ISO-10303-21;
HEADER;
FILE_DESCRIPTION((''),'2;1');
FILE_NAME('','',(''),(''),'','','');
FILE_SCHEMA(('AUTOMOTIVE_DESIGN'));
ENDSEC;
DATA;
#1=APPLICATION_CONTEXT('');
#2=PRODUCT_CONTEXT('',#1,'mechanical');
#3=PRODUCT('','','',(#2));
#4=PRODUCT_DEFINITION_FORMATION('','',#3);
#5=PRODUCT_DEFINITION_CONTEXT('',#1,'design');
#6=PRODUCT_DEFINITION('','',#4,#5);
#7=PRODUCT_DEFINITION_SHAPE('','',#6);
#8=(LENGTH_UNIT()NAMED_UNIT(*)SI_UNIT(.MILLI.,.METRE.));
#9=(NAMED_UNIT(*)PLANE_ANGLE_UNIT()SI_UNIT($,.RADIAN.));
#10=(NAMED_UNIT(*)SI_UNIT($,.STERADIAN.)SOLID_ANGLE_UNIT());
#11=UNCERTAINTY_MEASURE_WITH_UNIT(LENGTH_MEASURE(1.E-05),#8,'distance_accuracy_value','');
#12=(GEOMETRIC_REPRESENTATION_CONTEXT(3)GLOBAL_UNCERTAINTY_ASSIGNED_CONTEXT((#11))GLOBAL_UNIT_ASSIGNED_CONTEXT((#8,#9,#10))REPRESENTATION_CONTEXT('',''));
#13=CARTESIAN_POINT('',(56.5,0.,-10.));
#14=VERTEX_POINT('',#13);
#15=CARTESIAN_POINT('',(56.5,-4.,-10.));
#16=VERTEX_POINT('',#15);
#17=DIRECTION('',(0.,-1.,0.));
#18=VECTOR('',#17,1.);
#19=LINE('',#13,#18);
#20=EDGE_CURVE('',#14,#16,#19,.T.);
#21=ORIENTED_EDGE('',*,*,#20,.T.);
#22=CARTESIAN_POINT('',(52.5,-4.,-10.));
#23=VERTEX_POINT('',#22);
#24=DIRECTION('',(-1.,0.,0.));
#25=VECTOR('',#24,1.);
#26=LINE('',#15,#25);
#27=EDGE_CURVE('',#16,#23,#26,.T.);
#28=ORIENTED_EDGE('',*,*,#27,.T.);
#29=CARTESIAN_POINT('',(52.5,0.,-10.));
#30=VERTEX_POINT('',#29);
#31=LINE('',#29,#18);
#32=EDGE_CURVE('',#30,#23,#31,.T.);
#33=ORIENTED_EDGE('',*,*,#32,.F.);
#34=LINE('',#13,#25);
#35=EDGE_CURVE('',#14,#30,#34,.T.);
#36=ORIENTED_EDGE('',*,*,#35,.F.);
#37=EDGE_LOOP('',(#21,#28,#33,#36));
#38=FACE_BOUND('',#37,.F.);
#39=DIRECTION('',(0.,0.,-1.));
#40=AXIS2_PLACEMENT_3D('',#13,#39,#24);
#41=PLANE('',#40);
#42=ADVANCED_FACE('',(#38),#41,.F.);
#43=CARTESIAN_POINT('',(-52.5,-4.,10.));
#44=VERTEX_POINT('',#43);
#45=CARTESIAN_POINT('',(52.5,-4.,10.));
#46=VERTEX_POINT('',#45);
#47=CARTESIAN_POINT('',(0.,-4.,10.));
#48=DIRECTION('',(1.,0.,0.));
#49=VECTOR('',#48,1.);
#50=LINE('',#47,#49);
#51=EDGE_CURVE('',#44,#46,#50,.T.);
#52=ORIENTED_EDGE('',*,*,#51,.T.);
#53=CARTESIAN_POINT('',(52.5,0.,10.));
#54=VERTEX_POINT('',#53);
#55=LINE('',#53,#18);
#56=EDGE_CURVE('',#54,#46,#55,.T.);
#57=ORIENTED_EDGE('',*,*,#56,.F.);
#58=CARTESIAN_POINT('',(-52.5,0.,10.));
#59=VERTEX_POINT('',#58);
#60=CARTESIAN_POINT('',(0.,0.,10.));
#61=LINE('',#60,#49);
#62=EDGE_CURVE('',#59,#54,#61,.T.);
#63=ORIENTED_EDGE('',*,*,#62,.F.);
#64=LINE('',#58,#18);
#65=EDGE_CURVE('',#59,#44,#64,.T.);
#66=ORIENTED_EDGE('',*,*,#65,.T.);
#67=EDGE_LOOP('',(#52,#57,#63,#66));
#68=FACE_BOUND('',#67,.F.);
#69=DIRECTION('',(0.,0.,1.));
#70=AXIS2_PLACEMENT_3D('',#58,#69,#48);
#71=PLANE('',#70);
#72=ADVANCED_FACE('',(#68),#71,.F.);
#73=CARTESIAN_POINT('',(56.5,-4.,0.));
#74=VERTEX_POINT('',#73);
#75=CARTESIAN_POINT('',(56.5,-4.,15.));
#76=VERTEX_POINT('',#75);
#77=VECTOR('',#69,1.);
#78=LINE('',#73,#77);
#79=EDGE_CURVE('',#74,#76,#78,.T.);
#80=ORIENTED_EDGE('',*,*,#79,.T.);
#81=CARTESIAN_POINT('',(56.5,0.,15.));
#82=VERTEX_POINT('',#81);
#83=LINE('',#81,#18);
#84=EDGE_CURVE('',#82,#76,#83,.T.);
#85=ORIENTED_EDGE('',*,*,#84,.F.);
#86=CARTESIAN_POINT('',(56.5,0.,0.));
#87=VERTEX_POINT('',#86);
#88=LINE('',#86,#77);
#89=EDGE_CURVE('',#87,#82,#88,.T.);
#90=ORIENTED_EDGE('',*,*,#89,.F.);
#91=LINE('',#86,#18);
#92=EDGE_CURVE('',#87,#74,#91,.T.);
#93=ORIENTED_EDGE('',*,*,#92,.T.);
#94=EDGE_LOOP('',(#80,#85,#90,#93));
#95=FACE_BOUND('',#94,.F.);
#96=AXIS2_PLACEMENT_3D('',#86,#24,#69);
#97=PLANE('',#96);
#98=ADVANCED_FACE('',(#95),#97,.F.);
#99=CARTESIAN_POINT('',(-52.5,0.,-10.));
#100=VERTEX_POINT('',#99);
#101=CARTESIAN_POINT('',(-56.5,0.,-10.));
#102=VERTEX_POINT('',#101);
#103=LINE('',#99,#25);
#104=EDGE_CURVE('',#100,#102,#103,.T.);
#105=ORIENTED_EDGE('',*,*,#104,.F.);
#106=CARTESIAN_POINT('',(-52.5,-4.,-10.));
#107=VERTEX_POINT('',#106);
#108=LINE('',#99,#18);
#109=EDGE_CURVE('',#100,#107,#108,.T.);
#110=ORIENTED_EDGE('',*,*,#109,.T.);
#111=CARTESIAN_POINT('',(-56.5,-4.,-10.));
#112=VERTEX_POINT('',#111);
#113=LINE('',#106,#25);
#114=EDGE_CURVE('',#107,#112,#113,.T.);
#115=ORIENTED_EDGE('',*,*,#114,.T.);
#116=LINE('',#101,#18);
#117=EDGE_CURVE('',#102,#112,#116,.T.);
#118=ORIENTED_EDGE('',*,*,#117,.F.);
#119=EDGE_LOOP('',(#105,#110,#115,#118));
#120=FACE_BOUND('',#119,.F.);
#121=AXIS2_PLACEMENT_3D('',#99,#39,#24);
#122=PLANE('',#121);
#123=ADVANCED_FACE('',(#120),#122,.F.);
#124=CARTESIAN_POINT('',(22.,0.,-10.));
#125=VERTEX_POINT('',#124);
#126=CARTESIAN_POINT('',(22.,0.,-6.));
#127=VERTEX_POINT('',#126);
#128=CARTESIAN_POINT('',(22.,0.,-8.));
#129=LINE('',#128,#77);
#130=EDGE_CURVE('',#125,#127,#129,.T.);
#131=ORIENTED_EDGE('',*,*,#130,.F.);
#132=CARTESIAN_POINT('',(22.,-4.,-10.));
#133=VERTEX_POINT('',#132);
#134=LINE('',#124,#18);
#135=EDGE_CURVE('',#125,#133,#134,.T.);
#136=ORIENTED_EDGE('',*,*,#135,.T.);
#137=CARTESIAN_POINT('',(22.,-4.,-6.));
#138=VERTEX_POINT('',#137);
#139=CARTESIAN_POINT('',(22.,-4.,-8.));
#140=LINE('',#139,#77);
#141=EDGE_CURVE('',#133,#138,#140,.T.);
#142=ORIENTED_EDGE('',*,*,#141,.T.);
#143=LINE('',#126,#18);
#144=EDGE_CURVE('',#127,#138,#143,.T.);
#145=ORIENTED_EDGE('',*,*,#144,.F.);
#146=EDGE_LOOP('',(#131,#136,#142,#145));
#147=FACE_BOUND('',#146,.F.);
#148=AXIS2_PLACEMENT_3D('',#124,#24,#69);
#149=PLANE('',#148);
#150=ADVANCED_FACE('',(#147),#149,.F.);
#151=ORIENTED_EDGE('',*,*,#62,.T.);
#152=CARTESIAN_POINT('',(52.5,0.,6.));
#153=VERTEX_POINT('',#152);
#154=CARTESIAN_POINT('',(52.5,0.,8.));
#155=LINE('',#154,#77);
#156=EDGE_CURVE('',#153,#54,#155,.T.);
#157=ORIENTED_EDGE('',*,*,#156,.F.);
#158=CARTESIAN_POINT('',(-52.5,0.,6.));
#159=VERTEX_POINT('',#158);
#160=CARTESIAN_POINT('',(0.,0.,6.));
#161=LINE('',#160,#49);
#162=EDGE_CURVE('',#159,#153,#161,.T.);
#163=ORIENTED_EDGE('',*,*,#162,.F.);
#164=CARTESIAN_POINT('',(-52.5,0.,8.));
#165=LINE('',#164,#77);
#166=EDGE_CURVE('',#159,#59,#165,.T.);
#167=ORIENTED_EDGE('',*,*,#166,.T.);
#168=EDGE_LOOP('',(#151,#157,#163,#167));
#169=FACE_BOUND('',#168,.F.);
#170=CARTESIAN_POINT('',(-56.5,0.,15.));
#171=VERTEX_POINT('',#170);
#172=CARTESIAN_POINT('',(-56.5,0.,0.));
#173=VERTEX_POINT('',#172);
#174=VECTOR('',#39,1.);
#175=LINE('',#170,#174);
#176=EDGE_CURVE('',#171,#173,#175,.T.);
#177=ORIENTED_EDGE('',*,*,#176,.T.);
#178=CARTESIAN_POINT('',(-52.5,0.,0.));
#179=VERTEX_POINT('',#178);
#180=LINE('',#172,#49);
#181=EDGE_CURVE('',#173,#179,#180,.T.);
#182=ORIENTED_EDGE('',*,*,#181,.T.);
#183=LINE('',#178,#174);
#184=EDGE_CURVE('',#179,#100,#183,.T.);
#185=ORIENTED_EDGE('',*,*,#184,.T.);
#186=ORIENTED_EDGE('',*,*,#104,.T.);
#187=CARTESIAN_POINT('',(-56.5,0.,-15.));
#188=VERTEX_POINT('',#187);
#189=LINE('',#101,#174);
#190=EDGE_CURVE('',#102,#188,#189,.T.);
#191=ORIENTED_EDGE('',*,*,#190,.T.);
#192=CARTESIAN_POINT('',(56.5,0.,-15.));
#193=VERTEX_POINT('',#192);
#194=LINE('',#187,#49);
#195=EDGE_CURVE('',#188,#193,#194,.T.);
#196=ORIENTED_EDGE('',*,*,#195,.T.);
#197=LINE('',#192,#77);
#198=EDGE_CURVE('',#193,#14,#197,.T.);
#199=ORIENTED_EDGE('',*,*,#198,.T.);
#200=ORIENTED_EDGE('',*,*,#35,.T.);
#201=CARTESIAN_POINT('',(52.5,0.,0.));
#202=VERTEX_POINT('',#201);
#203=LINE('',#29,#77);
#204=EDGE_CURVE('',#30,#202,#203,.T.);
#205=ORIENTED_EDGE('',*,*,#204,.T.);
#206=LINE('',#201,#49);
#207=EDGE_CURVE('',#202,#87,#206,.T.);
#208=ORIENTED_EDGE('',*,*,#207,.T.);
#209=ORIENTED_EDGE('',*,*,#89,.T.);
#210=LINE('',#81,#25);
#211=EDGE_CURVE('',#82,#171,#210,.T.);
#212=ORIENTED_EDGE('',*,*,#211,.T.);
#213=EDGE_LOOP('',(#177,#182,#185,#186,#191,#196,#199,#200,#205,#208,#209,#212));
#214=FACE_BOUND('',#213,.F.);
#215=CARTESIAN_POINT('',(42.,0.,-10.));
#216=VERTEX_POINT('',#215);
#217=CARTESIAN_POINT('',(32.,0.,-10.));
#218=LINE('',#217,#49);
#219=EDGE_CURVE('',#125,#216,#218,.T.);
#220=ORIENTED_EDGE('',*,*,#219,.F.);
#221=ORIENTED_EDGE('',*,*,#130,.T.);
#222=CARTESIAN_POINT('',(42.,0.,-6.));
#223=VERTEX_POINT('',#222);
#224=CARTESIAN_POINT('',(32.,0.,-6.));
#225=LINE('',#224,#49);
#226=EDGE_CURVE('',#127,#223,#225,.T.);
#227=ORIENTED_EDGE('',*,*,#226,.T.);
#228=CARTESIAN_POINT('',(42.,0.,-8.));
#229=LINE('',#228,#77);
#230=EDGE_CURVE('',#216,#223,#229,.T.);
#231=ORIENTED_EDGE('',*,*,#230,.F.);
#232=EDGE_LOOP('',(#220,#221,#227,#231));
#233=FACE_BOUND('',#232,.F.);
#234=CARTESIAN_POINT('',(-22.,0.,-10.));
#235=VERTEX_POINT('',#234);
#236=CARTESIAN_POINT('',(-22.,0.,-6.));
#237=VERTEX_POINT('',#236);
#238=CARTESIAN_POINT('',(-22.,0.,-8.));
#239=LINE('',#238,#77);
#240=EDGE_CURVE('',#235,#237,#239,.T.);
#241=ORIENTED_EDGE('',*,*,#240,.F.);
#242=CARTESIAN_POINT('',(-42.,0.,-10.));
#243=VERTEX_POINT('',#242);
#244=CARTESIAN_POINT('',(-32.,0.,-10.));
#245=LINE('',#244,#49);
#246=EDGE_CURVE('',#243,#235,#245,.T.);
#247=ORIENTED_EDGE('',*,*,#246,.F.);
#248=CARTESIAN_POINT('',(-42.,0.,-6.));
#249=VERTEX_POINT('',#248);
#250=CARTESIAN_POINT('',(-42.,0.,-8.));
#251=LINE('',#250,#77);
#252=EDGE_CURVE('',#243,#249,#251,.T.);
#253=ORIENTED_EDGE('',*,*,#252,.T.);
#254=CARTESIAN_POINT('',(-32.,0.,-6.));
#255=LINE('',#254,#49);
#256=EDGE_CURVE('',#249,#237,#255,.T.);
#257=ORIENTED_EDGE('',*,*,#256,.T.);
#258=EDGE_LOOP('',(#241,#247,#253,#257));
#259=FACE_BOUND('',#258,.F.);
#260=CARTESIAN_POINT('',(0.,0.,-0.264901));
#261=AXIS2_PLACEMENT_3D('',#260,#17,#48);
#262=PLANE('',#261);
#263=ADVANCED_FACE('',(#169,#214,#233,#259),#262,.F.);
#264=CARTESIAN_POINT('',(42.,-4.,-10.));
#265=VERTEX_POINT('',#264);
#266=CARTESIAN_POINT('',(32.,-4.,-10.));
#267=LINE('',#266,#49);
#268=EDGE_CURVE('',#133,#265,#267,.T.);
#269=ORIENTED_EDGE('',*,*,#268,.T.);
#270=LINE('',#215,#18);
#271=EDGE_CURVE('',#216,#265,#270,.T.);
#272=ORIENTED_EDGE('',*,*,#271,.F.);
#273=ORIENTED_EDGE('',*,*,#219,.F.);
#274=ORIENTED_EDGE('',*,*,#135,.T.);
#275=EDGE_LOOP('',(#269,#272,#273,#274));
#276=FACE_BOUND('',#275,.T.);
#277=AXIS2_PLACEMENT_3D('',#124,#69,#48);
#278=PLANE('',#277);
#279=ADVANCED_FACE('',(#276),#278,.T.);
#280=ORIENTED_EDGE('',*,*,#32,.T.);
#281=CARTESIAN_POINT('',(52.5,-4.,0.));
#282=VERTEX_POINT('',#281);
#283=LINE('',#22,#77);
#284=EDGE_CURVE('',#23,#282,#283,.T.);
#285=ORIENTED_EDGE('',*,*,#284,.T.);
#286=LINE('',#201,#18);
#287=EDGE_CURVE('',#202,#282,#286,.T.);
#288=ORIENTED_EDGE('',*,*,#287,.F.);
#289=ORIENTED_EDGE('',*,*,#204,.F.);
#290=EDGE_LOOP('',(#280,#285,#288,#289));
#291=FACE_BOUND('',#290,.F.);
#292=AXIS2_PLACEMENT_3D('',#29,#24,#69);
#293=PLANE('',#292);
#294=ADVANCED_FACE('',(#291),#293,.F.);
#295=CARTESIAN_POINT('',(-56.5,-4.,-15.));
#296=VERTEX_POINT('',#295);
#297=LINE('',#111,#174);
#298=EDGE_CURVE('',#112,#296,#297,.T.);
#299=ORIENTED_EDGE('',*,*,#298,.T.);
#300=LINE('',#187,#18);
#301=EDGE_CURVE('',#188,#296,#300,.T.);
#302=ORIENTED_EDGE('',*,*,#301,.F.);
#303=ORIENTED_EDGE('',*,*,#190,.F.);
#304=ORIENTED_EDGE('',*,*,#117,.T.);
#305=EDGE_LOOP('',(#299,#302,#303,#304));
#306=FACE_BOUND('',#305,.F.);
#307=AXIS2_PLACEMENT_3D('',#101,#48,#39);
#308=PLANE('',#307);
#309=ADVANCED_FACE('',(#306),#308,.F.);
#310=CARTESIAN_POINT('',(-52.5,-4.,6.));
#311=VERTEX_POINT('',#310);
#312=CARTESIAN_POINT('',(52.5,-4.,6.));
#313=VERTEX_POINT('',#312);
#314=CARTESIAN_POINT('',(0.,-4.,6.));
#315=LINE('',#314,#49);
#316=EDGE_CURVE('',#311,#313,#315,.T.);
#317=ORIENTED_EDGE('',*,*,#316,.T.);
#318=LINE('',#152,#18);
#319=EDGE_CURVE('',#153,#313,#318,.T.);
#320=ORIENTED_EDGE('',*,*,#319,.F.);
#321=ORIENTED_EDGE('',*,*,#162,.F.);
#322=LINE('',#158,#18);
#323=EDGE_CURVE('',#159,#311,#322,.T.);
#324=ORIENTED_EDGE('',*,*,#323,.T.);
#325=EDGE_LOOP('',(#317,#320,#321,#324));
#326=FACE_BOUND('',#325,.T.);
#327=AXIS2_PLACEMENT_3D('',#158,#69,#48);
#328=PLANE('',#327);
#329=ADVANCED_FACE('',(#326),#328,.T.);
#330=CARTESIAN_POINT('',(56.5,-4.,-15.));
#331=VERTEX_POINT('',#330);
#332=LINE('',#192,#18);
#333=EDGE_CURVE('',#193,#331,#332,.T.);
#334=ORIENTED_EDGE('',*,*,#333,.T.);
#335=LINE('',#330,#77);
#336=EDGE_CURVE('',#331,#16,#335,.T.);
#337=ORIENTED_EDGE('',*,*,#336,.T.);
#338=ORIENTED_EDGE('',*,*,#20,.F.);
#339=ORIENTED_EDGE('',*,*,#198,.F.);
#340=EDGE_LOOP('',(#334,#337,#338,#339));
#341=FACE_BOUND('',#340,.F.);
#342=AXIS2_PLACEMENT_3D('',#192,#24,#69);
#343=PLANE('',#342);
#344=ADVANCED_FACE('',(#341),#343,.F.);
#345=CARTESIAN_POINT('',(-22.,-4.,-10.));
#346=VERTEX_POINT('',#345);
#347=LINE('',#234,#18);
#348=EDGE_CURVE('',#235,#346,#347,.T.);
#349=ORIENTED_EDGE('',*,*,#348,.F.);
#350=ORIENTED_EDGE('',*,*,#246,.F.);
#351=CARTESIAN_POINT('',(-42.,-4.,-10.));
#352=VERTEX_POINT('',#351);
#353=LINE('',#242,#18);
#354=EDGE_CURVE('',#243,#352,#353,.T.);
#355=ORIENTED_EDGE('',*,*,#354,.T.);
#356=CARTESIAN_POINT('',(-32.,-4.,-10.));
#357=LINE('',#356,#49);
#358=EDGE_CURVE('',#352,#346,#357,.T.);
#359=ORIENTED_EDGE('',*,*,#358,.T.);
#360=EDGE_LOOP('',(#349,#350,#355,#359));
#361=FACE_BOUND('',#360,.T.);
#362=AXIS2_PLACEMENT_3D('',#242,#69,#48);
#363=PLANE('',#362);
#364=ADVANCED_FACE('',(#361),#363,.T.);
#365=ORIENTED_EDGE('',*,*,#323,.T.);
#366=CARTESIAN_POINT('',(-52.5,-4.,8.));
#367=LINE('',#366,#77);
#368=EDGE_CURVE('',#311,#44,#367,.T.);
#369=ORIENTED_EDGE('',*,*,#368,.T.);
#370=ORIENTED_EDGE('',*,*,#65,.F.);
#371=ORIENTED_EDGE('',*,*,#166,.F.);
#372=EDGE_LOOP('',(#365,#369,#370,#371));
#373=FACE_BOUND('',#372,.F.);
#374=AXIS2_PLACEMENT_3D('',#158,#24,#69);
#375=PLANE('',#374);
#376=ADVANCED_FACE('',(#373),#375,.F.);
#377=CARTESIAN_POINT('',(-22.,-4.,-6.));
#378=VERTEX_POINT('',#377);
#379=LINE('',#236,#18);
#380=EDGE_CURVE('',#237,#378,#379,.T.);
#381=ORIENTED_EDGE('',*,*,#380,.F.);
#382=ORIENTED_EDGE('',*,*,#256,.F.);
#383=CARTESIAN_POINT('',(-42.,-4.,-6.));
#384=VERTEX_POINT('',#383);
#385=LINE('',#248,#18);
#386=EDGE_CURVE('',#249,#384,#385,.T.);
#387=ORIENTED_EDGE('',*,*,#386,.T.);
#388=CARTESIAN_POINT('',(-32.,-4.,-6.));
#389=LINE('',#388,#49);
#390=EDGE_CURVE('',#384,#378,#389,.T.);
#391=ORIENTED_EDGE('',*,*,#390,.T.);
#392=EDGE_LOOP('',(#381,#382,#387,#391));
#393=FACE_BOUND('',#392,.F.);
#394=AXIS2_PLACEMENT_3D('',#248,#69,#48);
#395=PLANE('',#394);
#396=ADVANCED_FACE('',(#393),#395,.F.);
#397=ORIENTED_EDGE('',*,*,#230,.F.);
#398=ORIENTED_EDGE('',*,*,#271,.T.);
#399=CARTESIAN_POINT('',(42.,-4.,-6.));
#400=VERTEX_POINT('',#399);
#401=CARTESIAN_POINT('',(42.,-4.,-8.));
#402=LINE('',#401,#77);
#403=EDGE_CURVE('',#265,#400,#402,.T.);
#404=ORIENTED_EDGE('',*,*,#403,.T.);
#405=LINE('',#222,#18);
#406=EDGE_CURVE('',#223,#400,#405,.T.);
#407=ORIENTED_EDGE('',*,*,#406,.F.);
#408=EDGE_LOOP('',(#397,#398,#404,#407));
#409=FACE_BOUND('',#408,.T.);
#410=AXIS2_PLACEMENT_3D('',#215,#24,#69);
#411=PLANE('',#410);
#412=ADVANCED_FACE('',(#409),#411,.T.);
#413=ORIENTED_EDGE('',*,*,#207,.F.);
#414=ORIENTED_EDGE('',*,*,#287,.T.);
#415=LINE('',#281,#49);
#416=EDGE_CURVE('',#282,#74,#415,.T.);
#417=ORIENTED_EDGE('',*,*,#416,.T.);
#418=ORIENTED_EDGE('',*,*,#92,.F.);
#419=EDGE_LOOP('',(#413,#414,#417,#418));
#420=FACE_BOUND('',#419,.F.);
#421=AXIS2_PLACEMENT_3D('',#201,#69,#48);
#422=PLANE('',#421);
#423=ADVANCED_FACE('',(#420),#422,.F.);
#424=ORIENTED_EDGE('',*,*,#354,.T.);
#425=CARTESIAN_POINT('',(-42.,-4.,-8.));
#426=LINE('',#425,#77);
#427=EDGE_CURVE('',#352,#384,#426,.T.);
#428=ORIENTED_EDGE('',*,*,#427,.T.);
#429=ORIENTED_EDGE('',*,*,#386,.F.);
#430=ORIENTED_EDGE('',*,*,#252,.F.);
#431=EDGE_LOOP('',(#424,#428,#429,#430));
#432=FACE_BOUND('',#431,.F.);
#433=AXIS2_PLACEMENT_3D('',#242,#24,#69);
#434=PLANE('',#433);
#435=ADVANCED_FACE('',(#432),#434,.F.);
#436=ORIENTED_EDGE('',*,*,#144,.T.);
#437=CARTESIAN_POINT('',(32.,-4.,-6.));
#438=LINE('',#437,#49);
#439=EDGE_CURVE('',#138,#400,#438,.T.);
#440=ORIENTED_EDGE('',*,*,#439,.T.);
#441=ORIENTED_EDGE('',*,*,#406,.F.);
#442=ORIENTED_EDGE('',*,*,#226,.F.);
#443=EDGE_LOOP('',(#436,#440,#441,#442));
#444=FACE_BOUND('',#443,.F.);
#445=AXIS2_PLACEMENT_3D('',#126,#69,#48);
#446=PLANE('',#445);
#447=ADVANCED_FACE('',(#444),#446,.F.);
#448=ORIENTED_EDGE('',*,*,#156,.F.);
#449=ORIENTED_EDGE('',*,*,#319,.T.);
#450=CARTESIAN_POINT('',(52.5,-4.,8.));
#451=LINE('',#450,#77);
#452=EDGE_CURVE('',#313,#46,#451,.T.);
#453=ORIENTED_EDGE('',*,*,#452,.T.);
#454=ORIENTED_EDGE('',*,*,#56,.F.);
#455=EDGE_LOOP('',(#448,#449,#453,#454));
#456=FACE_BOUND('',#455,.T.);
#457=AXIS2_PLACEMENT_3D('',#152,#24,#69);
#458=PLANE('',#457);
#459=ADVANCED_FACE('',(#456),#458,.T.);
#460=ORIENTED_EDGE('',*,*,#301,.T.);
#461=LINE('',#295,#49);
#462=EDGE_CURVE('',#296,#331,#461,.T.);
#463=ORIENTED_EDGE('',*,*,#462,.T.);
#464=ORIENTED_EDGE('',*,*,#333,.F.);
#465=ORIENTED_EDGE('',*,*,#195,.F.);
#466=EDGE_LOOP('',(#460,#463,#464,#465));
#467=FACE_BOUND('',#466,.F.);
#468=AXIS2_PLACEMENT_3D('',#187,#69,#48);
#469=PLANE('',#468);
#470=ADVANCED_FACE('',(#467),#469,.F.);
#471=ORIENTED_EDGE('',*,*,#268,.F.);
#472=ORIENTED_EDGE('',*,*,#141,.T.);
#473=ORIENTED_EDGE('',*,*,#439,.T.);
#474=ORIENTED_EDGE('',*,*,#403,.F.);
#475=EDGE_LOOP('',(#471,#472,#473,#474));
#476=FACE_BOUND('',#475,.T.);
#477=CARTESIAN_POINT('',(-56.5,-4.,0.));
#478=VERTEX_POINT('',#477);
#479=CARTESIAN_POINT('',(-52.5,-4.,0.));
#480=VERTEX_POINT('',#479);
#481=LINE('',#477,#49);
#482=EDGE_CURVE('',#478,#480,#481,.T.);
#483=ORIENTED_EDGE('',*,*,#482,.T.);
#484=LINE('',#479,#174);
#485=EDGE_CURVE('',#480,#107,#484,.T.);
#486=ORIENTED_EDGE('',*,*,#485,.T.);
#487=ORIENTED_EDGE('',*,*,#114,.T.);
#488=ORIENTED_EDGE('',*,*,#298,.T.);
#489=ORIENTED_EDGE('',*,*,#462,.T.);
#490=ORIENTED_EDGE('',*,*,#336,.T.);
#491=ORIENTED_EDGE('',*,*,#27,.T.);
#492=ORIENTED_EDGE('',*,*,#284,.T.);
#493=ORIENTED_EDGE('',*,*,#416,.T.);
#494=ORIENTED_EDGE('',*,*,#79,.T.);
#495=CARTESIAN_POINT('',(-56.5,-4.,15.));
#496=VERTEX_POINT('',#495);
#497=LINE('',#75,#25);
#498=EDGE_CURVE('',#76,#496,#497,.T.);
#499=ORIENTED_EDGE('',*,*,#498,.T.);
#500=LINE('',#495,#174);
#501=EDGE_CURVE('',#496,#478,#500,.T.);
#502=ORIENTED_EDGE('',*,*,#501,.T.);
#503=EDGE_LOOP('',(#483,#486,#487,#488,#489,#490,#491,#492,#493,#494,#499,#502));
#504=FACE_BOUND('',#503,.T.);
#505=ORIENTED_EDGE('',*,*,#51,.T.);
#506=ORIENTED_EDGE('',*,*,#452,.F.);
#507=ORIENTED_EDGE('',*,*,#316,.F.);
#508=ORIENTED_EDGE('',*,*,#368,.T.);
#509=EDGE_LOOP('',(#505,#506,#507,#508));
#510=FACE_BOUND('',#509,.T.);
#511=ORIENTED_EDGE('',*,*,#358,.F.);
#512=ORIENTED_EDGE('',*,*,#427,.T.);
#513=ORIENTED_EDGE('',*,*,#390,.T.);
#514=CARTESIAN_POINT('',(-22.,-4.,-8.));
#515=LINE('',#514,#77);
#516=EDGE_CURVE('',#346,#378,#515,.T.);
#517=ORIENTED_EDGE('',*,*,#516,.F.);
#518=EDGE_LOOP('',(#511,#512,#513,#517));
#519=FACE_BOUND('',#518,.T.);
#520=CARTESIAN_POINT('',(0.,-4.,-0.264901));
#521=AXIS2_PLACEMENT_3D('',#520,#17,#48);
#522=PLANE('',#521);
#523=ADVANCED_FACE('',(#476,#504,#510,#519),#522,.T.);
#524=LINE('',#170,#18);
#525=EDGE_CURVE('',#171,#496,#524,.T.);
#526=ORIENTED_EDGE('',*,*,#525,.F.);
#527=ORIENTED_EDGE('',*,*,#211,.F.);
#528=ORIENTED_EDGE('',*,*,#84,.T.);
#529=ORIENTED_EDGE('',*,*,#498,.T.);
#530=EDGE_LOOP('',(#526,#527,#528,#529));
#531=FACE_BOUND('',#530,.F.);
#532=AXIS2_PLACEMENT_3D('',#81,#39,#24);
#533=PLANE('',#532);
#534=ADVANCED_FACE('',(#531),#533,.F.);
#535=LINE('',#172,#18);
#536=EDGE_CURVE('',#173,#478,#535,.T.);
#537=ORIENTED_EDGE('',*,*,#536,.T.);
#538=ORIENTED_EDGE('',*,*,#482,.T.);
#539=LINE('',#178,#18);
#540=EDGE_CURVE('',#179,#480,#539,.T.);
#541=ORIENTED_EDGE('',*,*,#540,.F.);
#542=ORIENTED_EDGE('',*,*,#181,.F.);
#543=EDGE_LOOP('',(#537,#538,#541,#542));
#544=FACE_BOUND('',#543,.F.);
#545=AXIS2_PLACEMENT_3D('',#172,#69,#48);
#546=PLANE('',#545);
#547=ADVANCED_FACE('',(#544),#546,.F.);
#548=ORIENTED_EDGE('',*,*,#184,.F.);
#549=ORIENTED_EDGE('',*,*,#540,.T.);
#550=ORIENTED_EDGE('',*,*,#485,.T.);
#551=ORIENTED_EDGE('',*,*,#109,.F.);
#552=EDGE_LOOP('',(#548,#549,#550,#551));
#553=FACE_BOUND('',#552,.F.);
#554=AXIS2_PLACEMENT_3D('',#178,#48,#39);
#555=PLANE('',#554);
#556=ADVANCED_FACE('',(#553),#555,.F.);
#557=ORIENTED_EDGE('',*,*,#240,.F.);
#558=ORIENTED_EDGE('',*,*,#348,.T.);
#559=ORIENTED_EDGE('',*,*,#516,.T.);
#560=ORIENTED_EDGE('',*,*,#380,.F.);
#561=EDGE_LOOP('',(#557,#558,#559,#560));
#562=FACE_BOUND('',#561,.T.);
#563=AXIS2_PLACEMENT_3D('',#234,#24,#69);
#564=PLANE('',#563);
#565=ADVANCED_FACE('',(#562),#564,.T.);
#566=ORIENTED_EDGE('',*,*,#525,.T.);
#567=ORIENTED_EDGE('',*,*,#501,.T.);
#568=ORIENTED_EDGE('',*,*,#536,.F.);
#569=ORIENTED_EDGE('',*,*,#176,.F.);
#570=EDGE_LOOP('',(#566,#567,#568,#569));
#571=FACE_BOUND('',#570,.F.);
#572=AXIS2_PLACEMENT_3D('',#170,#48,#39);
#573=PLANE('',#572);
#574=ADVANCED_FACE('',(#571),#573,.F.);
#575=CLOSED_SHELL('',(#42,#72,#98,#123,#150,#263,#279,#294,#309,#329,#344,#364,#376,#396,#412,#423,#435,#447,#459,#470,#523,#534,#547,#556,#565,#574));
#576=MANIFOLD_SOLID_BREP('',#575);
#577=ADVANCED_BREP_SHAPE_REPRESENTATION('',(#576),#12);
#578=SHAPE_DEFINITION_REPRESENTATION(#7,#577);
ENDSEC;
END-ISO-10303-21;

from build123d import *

# Parameters (mm, degrees)
F0_W     = 20
F0_H     = 4
F0_W_2   = 105
F1_DEPTH = 4


with BuildPart() as f1:
    # F0 (on Front) → F1 (new body)
    with BuildSketch(Plane.XZ):
        Polygon((56.5, 0), (56.5, 15), (-56.5, 15), (-56.5, 0), (-52.5, 0), (-52.5, -10), (-56.5, -10), (-56.5, -15), (56.5, -15), (56.5, -10), (52.5, -10), (52.5, 0), align=None)
        with Locations((-32, -8)):
            Rectangle(F0_W, F0_H, mode=Mode.SUBTRACT)
        with Locations((32, -8)):
            Rectangle(F0_W, F0_H, mode=Mode.SUBTRACT)
        with Locations((0, 8)):
            Rectangle(F0_W_2, F0_H, mode=Mode.SUBTRACT)
    extrude(amount=F1_DEPTH)


solid = f1.part
